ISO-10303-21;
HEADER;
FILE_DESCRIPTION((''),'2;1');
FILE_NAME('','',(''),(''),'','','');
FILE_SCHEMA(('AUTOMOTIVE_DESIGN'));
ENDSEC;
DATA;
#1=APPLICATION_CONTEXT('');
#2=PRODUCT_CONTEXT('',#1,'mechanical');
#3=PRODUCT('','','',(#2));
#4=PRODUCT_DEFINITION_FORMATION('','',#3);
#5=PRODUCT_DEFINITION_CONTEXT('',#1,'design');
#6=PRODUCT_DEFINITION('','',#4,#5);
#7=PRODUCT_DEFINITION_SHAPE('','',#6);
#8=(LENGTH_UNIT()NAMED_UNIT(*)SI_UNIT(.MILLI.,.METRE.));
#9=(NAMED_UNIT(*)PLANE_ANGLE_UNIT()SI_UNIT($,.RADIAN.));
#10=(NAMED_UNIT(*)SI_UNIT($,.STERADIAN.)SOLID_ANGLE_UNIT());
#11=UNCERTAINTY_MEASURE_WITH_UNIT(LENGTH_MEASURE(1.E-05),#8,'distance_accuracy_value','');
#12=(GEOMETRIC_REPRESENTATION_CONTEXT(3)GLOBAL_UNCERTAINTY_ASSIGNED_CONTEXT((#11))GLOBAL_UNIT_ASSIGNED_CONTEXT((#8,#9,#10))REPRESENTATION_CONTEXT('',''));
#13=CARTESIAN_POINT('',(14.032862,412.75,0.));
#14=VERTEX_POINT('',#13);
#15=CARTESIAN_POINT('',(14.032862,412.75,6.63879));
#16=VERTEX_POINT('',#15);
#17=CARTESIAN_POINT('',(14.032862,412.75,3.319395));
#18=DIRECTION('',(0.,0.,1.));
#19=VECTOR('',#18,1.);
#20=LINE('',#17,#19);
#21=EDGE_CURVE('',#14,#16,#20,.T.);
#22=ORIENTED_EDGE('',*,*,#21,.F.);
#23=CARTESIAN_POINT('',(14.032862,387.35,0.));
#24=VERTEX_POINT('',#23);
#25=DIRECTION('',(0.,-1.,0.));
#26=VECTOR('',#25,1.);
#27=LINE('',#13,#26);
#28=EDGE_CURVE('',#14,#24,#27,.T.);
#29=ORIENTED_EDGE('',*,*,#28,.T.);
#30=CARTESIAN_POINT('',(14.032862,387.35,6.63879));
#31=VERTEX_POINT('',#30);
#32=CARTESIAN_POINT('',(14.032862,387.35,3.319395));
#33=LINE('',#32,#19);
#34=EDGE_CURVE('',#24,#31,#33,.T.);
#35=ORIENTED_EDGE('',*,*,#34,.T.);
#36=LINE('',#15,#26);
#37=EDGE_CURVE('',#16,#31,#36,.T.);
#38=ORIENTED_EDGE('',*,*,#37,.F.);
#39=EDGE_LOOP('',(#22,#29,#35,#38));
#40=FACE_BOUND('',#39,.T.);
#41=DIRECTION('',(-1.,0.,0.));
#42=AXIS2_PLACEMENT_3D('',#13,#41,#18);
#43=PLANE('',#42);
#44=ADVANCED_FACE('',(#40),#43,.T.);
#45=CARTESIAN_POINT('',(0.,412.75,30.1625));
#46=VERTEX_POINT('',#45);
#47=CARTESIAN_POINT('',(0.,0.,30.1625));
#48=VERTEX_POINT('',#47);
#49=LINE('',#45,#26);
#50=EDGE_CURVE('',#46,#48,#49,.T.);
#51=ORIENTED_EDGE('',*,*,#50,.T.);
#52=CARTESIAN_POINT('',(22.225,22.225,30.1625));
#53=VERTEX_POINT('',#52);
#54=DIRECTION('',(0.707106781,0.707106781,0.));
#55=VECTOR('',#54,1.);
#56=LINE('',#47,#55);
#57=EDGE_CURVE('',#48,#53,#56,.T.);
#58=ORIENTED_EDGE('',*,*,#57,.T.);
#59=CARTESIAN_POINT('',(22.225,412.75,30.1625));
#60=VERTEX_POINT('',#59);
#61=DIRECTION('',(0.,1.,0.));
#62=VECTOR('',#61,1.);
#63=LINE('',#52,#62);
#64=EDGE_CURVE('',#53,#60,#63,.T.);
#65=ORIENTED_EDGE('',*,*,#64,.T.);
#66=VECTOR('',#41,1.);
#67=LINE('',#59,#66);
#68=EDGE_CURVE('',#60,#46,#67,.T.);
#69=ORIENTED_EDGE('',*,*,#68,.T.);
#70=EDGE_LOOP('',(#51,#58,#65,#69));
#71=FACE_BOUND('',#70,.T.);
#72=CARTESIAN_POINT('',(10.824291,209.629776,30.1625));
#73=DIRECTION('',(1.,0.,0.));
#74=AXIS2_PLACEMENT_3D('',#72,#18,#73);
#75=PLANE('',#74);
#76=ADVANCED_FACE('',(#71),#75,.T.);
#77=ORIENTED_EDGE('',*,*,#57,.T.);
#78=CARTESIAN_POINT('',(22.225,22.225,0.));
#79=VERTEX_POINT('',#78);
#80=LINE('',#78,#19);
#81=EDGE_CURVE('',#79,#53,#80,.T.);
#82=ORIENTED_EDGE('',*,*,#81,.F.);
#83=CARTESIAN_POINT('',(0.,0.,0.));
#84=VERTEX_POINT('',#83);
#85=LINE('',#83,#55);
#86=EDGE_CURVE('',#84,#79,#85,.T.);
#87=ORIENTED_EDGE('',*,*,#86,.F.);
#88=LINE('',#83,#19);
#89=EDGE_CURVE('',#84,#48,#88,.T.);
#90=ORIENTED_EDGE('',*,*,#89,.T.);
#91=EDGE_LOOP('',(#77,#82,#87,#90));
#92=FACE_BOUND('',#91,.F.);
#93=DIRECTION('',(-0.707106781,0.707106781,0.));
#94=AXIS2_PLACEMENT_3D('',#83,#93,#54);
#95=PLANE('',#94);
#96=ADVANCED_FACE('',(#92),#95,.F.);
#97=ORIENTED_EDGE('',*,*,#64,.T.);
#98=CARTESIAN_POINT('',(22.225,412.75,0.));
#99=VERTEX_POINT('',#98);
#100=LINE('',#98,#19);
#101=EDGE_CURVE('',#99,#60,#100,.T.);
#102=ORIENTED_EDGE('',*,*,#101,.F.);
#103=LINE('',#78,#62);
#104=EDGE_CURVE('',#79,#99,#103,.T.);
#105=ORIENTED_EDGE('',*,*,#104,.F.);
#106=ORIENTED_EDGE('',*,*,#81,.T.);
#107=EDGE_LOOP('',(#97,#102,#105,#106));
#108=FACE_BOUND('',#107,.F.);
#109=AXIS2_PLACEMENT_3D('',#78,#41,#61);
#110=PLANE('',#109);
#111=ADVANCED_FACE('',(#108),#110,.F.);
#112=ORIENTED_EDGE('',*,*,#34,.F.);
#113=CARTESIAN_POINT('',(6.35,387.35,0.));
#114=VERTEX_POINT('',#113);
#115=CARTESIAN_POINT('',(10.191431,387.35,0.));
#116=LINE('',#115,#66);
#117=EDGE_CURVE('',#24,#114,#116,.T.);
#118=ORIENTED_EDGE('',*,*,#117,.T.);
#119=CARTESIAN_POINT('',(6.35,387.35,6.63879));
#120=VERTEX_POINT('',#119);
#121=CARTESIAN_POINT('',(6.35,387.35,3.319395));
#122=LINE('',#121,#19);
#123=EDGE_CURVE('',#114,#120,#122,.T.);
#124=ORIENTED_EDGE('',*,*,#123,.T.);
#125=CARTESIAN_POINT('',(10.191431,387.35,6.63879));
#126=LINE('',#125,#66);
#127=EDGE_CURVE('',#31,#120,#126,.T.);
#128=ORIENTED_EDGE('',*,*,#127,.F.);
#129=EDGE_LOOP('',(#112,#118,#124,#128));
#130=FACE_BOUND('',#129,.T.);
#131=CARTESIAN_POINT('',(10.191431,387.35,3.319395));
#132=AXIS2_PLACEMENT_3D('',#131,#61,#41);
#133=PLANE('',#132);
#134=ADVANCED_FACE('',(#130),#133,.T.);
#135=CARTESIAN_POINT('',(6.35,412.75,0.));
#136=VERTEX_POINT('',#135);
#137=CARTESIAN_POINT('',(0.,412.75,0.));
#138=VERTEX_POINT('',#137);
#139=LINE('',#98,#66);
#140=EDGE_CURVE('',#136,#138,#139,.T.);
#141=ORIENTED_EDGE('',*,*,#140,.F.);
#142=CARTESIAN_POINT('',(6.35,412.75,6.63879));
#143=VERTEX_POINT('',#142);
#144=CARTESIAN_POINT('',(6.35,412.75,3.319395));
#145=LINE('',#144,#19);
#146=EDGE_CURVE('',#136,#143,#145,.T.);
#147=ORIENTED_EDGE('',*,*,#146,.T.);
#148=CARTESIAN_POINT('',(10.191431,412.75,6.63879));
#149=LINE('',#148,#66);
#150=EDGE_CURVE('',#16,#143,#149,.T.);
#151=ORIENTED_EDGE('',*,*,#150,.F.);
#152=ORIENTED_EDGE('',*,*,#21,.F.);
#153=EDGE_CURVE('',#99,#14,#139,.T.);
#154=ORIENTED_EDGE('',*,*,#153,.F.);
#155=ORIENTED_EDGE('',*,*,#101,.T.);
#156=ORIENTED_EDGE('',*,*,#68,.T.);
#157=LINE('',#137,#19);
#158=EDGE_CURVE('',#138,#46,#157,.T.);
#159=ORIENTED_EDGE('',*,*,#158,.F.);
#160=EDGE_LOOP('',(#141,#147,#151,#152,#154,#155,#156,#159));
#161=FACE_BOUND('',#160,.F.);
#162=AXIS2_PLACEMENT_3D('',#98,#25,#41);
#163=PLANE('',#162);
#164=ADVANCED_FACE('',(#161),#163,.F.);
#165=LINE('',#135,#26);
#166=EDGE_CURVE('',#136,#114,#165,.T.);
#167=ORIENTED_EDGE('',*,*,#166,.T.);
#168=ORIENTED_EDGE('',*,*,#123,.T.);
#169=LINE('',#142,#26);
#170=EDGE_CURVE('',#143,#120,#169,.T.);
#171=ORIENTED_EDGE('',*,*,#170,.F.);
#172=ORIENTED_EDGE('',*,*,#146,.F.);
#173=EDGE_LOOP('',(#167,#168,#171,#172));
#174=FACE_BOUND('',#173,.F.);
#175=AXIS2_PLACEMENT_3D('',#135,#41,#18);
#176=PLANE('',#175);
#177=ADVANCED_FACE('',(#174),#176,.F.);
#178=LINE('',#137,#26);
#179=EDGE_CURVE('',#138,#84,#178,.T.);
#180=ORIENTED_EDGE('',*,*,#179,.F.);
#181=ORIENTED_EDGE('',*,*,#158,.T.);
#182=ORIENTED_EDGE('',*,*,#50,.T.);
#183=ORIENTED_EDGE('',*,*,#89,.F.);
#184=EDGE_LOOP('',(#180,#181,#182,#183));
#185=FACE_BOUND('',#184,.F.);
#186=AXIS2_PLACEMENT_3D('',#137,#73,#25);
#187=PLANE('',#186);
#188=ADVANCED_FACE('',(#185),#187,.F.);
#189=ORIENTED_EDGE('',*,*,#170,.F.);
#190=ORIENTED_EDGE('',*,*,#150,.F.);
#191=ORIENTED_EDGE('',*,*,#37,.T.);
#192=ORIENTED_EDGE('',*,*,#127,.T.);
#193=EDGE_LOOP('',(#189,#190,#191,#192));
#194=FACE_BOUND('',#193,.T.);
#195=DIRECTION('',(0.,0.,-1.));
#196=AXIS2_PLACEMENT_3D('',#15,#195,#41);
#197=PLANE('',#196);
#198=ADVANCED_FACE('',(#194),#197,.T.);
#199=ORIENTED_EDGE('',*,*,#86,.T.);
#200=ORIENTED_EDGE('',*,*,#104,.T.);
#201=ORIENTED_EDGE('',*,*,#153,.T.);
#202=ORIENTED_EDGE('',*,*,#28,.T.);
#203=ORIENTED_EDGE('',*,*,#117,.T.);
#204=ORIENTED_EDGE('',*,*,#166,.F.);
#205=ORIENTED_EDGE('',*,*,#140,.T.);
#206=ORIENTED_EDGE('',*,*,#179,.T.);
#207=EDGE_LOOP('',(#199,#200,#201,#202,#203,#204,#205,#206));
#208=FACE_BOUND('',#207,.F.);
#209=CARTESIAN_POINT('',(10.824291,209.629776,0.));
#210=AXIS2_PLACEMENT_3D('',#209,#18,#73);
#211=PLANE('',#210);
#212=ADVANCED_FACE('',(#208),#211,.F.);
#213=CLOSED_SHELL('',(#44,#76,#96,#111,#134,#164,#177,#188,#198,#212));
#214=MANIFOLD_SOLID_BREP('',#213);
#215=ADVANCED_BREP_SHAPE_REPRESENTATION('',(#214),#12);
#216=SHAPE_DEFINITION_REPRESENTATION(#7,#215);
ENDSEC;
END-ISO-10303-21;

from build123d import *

# Parameters (mm, degrees)
F1_DEPTH = 30.1625
F2_W     = 7.682862
F2_H     = 6.63879
F3_DEPTH = 25.4


with BuildPart() as f1:
    # F0 (on Top) → F1 (new body)
    with BuildSketch(Plane.XY):
        Polygon((22.225, 412.75), (0, 412.75), (0, 0), (22.225, 22.225), align=None)
    extrude(amount=F1_DEPTH)

    # F2 (on face) → F3 (cut)
    with BuildSketch(Plane(origin=(0, 412.75, 0), x_dir=(-1, 0, 0), z_dir=(0, 1, 0))):
        with Locations((-10.191431, 3.319395)):
            Rectangle(F2_W, F2_H)
    extrude(amount=-F3_DEPTH, mode=Mode.SUBTRACT)


solid = f1.part
